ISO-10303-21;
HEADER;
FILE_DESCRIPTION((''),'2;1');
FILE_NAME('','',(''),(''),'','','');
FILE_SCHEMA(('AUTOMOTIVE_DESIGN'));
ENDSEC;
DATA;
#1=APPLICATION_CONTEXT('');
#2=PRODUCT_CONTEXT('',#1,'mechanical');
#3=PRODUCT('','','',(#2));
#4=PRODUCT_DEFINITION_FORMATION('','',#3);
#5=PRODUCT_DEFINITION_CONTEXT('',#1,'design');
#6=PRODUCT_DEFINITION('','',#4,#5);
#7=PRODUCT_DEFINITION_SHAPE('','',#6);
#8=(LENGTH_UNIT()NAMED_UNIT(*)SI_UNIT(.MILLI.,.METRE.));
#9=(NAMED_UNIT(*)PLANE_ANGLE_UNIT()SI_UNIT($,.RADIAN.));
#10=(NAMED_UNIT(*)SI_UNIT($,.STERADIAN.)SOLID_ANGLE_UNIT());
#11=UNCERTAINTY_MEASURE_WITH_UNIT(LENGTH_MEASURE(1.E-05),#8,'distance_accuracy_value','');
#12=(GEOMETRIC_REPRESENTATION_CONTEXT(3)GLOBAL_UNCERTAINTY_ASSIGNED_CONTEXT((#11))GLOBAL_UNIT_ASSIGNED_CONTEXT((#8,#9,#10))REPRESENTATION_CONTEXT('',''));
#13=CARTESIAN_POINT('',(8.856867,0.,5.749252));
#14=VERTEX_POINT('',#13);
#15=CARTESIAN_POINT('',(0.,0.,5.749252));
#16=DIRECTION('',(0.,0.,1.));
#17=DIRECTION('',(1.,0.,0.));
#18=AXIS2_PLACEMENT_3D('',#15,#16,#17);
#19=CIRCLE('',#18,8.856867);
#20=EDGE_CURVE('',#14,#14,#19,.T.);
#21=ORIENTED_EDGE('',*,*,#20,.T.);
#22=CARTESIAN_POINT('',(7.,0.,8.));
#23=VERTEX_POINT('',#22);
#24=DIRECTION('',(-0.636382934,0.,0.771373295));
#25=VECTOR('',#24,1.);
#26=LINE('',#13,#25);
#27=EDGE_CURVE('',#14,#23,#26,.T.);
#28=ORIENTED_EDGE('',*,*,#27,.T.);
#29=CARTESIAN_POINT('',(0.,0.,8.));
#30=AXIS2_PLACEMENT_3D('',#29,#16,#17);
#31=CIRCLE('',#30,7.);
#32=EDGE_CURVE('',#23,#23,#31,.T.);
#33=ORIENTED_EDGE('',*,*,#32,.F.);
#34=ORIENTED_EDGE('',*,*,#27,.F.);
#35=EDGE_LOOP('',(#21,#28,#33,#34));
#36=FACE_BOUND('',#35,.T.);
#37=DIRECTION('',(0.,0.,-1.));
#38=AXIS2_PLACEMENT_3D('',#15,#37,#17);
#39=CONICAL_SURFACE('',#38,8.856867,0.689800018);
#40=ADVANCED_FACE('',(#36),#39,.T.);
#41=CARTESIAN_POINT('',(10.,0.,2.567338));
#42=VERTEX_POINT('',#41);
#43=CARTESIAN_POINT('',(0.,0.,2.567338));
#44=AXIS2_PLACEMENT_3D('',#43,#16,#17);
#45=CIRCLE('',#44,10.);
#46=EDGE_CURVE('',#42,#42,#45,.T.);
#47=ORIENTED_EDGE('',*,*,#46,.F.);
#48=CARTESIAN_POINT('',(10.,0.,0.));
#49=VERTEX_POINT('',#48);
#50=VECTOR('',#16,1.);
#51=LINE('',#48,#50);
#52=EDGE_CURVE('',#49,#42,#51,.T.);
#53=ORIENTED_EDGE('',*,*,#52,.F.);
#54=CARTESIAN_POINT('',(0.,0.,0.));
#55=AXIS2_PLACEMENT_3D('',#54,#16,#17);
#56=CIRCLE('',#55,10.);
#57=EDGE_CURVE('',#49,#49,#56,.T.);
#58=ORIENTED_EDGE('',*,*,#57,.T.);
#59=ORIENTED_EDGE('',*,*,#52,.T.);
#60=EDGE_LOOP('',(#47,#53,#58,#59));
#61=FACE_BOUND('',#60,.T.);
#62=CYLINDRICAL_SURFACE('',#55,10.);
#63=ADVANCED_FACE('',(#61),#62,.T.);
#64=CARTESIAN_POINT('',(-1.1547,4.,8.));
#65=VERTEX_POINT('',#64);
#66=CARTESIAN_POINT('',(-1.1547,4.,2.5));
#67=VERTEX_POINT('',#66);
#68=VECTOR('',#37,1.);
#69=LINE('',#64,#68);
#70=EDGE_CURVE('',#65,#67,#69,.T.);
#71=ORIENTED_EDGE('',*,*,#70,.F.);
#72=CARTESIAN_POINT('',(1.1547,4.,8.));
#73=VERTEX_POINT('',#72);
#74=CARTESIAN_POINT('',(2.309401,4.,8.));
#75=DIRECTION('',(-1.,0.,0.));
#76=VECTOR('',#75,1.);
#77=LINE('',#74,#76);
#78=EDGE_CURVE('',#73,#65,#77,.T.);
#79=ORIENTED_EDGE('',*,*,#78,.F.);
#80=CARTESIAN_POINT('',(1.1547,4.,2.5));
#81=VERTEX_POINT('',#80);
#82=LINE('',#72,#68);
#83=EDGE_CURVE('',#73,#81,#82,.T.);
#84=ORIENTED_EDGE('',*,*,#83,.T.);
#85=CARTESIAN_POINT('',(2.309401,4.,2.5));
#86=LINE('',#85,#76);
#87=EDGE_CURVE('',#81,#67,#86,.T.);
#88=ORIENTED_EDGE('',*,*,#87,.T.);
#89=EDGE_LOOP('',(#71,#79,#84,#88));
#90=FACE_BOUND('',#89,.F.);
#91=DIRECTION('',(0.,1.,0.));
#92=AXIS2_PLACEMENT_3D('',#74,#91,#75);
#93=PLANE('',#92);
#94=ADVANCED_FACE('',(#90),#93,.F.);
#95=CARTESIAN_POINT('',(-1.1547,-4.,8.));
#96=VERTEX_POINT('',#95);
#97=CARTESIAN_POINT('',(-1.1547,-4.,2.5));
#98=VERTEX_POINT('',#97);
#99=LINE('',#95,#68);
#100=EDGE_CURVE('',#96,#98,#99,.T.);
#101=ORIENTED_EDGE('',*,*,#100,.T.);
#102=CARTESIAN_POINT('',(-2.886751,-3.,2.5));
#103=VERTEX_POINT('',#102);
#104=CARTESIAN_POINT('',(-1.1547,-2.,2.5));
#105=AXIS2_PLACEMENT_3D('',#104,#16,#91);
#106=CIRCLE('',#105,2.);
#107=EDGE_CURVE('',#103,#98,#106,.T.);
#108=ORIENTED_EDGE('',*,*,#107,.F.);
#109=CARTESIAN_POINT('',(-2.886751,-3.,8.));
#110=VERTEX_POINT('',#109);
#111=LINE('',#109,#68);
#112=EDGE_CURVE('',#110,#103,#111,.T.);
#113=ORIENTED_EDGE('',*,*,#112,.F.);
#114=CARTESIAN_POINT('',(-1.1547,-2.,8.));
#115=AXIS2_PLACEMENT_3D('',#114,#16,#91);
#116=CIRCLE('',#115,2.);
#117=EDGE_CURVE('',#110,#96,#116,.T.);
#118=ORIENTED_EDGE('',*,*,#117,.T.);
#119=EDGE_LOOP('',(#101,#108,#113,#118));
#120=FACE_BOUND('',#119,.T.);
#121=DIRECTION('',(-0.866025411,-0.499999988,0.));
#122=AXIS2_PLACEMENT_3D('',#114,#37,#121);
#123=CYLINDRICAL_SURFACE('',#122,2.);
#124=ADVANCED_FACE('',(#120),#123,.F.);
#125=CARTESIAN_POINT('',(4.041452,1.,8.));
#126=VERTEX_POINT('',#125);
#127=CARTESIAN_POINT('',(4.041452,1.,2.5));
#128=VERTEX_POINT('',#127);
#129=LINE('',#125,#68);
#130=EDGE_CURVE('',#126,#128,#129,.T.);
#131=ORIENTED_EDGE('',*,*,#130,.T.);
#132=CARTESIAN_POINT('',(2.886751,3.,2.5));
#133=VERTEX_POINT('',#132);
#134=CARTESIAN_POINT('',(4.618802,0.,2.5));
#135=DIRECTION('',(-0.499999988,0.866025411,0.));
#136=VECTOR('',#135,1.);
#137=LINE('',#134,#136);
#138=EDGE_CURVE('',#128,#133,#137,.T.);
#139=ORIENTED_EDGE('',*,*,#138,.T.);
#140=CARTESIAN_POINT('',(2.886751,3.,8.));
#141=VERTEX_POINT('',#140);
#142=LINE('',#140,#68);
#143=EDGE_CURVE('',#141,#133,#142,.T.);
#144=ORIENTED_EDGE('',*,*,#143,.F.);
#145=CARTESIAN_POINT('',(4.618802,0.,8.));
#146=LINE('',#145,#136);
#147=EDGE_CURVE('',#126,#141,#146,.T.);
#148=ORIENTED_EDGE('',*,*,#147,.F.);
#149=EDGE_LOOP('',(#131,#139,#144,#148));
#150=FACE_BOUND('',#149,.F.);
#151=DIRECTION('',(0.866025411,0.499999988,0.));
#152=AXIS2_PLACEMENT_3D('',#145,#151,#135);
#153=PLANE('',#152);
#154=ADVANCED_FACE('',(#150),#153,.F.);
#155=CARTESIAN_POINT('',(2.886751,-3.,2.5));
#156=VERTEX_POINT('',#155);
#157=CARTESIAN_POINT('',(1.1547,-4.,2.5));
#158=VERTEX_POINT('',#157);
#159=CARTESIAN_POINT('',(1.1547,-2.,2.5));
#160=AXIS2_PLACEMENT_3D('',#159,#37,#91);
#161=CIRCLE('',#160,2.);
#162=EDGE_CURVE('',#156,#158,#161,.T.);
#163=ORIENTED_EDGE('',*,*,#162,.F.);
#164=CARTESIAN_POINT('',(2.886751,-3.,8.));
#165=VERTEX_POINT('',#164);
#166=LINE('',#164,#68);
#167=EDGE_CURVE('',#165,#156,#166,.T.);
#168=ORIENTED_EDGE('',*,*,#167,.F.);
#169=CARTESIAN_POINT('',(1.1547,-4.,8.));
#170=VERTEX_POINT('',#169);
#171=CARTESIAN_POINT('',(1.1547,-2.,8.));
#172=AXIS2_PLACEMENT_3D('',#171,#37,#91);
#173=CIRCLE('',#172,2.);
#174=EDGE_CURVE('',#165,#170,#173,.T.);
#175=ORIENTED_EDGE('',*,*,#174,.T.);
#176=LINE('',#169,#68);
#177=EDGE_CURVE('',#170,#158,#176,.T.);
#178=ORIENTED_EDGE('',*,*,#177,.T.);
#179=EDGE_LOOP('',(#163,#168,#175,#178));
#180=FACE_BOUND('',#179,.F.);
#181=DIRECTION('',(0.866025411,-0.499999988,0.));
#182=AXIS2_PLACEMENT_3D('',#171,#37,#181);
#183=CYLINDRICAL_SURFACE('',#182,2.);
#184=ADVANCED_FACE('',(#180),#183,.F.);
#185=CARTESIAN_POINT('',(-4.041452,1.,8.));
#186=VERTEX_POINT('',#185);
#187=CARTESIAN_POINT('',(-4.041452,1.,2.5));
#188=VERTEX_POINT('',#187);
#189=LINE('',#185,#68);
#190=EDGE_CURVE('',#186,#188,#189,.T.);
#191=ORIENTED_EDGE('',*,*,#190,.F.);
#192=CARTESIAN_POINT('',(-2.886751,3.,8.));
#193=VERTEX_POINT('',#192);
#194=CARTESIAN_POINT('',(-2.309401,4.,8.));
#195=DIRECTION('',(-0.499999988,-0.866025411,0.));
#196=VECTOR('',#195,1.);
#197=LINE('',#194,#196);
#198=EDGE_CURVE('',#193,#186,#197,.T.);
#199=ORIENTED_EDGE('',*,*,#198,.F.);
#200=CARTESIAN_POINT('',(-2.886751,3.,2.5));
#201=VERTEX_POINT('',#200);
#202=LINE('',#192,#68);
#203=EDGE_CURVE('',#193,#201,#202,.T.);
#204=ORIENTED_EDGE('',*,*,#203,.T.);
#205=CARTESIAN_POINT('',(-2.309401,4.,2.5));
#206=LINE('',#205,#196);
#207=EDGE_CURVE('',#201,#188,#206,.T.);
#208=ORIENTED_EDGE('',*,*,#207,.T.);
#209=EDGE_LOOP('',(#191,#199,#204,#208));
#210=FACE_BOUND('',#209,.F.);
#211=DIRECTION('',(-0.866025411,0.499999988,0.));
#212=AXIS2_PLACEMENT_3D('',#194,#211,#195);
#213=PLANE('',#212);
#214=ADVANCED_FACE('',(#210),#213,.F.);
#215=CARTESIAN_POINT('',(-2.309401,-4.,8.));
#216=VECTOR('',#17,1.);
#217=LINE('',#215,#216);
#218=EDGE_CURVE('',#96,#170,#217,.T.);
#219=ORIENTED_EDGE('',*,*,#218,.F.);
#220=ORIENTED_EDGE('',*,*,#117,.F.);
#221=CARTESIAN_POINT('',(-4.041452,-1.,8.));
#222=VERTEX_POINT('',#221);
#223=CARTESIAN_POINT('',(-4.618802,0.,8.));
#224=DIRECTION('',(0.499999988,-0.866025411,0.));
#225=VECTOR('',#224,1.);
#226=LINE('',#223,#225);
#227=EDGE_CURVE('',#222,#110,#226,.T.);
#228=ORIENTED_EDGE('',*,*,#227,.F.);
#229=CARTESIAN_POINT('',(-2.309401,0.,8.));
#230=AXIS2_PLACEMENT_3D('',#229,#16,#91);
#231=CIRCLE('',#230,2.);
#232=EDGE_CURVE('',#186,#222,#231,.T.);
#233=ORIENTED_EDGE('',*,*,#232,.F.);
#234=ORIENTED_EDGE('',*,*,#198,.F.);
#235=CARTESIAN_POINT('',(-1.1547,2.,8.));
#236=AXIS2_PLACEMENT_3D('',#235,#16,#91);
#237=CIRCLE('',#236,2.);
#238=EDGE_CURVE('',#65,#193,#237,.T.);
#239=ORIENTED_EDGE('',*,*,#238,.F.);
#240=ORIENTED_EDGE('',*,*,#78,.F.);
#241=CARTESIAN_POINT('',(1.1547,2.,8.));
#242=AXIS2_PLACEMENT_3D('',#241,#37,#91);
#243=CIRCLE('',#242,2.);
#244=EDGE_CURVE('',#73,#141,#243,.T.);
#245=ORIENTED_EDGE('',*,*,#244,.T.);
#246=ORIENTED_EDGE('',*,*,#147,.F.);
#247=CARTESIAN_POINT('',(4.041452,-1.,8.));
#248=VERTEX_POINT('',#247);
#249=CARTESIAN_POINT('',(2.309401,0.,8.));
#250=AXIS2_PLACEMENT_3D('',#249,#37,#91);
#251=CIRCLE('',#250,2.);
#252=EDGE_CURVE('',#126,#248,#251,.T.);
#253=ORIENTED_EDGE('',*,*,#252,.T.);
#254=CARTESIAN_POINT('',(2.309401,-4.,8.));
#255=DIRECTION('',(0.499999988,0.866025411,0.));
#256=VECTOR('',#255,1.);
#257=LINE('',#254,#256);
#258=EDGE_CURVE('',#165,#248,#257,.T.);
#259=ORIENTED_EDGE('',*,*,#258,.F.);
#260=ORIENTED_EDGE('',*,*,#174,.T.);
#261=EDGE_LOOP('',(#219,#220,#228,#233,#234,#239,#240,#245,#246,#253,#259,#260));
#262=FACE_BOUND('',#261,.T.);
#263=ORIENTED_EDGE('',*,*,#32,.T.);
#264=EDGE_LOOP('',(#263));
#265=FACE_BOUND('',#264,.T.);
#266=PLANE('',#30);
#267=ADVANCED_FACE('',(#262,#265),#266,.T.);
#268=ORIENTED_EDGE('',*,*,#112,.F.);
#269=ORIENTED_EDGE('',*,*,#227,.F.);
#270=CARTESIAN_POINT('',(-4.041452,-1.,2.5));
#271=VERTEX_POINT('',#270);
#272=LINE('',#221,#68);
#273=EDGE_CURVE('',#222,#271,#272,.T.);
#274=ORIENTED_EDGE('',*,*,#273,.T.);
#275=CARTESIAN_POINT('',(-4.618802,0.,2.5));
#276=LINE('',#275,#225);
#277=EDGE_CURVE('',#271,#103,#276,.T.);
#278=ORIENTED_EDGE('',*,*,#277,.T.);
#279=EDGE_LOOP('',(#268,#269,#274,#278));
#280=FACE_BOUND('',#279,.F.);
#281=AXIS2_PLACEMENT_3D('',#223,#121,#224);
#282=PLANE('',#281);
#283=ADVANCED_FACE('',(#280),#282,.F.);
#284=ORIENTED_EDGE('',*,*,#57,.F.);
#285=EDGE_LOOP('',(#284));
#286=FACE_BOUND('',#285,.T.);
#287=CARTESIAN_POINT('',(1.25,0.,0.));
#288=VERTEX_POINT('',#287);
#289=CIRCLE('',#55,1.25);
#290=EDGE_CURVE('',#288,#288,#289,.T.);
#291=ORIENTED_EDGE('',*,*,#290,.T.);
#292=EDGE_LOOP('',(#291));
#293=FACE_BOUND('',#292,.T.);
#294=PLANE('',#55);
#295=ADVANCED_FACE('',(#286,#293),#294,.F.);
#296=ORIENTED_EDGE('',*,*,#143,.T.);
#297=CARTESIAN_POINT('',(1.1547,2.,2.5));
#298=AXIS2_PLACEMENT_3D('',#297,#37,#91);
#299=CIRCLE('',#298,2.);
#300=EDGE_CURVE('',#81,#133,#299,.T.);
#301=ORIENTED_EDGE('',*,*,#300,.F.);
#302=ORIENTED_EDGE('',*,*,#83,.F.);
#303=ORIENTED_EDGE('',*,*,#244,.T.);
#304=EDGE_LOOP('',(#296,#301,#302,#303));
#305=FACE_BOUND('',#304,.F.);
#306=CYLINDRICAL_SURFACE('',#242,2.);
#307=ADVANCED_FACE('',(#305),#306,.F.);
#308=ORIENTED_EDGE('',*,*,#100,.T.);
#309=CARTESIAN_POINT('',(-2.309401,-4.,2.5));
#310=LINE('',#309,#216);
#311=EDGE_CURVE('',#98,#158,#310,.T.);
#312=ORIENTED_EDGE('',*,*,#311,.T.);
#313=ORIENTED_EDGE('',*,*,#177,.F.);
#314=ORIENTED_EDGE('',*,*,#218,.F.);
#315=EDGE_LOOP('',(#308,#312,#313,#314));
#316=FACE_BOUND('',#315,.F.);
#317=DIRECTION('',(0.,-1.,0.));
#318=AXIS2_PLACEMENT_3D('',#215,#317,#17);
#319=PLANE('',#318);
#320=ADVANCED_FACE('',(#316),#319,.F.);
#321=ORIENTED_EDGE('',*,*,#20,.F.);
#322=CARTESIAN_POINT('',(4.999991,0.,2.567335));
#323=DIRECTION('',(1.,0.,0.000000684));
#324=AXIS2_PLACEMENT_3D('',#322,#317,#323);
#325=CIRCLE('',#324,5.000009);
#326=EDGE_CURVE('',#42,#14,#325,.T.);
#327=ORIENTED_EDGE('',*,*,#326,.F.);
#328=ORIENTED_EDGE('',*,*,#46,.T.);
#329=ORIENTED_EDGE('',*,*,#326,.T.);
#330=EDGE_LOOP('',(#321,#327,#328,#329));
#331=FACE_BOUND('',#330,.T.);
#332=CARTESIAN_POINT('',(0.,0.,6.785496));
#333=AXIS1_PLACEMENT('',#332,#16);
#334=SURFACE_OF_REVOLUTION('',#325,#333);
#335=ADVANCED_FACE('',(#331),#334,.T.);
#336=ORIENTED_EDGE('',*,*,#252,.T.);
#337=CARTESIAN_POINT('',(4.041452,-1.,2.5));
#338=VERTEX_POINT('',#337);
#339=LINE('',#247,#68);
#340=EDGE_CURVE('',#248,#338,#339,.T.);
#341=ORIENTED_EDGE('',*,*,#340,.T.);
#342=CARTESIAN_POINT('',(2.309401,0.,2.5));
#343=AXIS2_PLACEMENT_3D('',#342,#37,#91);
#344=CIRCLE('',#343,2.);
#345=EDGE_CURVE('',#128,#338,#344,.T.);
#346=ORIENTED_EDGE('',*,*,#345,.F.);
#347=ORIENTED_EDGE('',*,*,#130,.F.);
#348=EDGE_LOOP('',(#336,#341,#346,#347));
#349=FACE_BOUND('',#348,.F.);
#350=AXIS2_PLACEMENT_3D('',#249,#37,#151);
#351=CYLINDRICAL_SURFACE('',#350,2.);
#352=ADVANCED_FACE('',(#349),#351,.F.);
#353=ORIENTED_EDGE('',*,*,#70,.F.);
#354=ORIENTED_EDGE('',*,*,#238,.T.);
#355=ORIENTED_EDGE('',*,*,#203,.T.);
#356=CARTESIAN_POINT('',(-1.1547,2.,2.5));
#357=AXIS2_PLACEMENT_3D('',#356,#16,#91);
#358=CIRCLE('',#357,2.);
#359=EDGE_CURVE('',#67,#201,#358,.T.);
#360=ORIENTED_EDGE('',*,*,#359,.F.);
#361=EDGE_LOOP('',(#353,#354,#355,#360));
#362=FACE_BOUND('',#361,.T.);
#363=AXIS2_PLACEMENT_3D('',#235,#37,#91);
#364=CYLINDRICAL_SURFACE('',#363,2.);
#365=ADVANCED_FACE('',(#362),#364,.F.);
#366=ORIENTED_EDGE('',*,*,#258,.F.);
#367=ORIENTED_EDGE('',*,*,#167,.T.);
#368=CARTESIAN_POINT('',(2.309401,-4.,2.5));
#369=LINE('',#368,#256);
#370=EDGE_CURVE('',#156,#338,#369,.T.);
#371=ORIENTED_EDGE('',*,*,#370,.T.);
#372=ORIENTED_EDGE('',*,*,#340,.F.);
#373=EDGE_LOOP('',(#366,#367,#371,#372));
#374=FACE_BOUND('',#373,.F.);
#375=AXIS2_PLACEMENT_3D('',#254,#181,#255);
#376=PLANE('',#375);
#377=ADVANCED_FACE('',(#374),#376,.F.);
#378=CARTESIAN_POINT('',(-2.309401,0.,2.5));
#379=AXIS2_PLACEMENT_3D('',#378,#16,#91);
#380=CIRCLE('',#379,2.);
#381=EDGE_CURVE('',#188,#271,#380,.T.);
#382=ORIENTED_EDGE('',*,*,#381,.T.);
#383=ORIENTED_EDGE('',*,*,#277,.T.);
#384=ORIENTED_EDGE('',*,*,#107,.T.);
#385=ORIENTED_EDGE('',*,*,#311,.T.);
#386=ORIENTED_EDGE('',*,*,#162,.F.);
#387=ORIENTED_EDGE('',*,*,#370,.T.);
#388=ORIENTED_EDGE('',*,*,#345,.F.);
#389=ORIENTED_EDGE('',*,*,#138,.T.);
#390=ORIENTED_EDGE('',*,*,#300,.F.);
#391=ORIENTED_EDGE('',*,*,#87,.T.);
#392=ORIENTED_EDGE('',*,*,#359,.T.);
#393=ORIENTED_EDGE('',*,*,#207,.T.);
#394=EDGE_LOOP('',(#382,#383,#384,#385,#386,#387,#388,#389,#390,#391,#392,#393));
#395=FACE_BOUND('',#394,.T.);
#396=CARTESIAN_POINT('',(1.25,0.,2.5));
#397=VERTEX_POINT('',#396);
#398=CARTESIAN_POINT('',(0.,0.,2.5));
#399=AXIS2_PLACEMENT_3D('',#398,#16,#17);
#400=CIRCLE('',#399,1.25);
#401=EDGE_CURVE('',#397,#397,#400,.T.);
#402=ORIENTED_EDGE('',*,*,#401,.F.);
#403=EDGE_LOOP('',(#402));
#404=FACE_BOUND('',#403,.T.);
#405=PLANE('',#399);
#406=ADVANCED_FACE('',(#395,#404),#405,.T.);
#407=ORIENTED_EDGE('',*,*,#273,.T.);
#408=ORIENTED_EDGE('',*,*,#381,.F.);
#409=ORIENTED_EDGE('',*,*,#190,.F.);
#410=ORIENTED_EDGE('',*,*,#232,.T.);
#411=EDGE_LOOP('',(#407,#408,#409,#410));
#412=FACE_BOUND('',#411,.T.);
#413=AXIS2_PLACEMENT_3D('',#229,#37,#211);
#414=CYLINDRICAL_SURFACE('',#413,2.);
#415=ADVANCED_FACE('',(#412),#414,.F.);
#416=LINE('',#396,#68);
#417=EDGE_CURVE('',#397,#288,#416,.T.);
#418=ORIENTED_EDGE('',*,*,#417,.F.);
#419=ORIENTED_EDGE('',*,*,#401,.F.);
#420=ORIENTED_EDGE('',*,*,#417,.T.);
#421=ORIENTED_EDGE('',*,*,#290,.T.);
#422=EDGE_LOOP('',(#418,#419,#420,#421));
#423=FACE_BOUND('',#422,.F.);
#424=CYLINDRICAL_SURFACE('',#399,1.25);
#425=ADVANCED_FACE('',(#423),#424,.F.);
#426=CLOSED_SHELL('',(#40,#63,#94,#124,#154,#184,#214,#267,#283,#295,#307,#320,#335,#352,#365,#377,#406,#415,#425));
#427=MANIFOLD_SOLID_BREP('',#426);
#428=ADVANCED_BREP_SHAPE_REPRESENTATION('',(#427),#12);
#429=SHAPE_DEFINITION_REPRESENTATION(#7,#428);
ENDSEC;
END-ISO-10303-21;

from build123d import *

# Parameters (mm, degrees)
F3_DEPTH = 5.5
F4_R     = 1.25
F5_DEPTH = 3
F6_R     = 2


with BuildPart() as f1:
    # F0 (on Front) → F1 (revolve)
    with BuildSketch(Plane.XZ):
        with BuildLine():
            Line((0, 8), (0, 0))
            Line((0, 0), (10, 0))
            Line((10, 0), (10, 2.567338))
            ThreePointArc((10, 2.567338), (9.705546, 4.25785), (8.856867, 5.749252))
            Line((8.856867, 5.749252), (7, 8))
            Line((7, 8), (0, 8))
        make_face()
    revolve(axis=Axis((0, 0, 6.785496), (0, 0, 1)))

    # F2 (on face) → F3 (cut)
    with BuildSketch(Plane.XY.offset(8)):
        Polygon((2.309401, 4), (-2.309401, 4), (-4.618802, 0), (-2.309401, -4), (2.309401, -4), (4.618802, 0), align=None)
    extrude(amount=-F3_DEPTH, mode=Mode.SUBTRACT)

    # F4 (on face) → F5 (cut)
    with BuildSketch(Plane.XY.offset(2.5)):
        Circle(F4_R)
    extrude(amount=-F5_DEPTH, mode=Mode.SUBTRACT)

    # F6
    f6_edges = [f1.edges().sort_by_distance(p)[0] for p in [
        (-2.309401, 4, 5.25),
        (2.309401, 4, 5.25),
        (-2.309401, -4, 5.25),
        (2.309401, -4, 5.25),
        (-4.618802, 0, 5.25),
        (4.618802, 0, 5.25),
    ]]
    fillet(f6_edges, radius=F6_R)


solid = f1.part
